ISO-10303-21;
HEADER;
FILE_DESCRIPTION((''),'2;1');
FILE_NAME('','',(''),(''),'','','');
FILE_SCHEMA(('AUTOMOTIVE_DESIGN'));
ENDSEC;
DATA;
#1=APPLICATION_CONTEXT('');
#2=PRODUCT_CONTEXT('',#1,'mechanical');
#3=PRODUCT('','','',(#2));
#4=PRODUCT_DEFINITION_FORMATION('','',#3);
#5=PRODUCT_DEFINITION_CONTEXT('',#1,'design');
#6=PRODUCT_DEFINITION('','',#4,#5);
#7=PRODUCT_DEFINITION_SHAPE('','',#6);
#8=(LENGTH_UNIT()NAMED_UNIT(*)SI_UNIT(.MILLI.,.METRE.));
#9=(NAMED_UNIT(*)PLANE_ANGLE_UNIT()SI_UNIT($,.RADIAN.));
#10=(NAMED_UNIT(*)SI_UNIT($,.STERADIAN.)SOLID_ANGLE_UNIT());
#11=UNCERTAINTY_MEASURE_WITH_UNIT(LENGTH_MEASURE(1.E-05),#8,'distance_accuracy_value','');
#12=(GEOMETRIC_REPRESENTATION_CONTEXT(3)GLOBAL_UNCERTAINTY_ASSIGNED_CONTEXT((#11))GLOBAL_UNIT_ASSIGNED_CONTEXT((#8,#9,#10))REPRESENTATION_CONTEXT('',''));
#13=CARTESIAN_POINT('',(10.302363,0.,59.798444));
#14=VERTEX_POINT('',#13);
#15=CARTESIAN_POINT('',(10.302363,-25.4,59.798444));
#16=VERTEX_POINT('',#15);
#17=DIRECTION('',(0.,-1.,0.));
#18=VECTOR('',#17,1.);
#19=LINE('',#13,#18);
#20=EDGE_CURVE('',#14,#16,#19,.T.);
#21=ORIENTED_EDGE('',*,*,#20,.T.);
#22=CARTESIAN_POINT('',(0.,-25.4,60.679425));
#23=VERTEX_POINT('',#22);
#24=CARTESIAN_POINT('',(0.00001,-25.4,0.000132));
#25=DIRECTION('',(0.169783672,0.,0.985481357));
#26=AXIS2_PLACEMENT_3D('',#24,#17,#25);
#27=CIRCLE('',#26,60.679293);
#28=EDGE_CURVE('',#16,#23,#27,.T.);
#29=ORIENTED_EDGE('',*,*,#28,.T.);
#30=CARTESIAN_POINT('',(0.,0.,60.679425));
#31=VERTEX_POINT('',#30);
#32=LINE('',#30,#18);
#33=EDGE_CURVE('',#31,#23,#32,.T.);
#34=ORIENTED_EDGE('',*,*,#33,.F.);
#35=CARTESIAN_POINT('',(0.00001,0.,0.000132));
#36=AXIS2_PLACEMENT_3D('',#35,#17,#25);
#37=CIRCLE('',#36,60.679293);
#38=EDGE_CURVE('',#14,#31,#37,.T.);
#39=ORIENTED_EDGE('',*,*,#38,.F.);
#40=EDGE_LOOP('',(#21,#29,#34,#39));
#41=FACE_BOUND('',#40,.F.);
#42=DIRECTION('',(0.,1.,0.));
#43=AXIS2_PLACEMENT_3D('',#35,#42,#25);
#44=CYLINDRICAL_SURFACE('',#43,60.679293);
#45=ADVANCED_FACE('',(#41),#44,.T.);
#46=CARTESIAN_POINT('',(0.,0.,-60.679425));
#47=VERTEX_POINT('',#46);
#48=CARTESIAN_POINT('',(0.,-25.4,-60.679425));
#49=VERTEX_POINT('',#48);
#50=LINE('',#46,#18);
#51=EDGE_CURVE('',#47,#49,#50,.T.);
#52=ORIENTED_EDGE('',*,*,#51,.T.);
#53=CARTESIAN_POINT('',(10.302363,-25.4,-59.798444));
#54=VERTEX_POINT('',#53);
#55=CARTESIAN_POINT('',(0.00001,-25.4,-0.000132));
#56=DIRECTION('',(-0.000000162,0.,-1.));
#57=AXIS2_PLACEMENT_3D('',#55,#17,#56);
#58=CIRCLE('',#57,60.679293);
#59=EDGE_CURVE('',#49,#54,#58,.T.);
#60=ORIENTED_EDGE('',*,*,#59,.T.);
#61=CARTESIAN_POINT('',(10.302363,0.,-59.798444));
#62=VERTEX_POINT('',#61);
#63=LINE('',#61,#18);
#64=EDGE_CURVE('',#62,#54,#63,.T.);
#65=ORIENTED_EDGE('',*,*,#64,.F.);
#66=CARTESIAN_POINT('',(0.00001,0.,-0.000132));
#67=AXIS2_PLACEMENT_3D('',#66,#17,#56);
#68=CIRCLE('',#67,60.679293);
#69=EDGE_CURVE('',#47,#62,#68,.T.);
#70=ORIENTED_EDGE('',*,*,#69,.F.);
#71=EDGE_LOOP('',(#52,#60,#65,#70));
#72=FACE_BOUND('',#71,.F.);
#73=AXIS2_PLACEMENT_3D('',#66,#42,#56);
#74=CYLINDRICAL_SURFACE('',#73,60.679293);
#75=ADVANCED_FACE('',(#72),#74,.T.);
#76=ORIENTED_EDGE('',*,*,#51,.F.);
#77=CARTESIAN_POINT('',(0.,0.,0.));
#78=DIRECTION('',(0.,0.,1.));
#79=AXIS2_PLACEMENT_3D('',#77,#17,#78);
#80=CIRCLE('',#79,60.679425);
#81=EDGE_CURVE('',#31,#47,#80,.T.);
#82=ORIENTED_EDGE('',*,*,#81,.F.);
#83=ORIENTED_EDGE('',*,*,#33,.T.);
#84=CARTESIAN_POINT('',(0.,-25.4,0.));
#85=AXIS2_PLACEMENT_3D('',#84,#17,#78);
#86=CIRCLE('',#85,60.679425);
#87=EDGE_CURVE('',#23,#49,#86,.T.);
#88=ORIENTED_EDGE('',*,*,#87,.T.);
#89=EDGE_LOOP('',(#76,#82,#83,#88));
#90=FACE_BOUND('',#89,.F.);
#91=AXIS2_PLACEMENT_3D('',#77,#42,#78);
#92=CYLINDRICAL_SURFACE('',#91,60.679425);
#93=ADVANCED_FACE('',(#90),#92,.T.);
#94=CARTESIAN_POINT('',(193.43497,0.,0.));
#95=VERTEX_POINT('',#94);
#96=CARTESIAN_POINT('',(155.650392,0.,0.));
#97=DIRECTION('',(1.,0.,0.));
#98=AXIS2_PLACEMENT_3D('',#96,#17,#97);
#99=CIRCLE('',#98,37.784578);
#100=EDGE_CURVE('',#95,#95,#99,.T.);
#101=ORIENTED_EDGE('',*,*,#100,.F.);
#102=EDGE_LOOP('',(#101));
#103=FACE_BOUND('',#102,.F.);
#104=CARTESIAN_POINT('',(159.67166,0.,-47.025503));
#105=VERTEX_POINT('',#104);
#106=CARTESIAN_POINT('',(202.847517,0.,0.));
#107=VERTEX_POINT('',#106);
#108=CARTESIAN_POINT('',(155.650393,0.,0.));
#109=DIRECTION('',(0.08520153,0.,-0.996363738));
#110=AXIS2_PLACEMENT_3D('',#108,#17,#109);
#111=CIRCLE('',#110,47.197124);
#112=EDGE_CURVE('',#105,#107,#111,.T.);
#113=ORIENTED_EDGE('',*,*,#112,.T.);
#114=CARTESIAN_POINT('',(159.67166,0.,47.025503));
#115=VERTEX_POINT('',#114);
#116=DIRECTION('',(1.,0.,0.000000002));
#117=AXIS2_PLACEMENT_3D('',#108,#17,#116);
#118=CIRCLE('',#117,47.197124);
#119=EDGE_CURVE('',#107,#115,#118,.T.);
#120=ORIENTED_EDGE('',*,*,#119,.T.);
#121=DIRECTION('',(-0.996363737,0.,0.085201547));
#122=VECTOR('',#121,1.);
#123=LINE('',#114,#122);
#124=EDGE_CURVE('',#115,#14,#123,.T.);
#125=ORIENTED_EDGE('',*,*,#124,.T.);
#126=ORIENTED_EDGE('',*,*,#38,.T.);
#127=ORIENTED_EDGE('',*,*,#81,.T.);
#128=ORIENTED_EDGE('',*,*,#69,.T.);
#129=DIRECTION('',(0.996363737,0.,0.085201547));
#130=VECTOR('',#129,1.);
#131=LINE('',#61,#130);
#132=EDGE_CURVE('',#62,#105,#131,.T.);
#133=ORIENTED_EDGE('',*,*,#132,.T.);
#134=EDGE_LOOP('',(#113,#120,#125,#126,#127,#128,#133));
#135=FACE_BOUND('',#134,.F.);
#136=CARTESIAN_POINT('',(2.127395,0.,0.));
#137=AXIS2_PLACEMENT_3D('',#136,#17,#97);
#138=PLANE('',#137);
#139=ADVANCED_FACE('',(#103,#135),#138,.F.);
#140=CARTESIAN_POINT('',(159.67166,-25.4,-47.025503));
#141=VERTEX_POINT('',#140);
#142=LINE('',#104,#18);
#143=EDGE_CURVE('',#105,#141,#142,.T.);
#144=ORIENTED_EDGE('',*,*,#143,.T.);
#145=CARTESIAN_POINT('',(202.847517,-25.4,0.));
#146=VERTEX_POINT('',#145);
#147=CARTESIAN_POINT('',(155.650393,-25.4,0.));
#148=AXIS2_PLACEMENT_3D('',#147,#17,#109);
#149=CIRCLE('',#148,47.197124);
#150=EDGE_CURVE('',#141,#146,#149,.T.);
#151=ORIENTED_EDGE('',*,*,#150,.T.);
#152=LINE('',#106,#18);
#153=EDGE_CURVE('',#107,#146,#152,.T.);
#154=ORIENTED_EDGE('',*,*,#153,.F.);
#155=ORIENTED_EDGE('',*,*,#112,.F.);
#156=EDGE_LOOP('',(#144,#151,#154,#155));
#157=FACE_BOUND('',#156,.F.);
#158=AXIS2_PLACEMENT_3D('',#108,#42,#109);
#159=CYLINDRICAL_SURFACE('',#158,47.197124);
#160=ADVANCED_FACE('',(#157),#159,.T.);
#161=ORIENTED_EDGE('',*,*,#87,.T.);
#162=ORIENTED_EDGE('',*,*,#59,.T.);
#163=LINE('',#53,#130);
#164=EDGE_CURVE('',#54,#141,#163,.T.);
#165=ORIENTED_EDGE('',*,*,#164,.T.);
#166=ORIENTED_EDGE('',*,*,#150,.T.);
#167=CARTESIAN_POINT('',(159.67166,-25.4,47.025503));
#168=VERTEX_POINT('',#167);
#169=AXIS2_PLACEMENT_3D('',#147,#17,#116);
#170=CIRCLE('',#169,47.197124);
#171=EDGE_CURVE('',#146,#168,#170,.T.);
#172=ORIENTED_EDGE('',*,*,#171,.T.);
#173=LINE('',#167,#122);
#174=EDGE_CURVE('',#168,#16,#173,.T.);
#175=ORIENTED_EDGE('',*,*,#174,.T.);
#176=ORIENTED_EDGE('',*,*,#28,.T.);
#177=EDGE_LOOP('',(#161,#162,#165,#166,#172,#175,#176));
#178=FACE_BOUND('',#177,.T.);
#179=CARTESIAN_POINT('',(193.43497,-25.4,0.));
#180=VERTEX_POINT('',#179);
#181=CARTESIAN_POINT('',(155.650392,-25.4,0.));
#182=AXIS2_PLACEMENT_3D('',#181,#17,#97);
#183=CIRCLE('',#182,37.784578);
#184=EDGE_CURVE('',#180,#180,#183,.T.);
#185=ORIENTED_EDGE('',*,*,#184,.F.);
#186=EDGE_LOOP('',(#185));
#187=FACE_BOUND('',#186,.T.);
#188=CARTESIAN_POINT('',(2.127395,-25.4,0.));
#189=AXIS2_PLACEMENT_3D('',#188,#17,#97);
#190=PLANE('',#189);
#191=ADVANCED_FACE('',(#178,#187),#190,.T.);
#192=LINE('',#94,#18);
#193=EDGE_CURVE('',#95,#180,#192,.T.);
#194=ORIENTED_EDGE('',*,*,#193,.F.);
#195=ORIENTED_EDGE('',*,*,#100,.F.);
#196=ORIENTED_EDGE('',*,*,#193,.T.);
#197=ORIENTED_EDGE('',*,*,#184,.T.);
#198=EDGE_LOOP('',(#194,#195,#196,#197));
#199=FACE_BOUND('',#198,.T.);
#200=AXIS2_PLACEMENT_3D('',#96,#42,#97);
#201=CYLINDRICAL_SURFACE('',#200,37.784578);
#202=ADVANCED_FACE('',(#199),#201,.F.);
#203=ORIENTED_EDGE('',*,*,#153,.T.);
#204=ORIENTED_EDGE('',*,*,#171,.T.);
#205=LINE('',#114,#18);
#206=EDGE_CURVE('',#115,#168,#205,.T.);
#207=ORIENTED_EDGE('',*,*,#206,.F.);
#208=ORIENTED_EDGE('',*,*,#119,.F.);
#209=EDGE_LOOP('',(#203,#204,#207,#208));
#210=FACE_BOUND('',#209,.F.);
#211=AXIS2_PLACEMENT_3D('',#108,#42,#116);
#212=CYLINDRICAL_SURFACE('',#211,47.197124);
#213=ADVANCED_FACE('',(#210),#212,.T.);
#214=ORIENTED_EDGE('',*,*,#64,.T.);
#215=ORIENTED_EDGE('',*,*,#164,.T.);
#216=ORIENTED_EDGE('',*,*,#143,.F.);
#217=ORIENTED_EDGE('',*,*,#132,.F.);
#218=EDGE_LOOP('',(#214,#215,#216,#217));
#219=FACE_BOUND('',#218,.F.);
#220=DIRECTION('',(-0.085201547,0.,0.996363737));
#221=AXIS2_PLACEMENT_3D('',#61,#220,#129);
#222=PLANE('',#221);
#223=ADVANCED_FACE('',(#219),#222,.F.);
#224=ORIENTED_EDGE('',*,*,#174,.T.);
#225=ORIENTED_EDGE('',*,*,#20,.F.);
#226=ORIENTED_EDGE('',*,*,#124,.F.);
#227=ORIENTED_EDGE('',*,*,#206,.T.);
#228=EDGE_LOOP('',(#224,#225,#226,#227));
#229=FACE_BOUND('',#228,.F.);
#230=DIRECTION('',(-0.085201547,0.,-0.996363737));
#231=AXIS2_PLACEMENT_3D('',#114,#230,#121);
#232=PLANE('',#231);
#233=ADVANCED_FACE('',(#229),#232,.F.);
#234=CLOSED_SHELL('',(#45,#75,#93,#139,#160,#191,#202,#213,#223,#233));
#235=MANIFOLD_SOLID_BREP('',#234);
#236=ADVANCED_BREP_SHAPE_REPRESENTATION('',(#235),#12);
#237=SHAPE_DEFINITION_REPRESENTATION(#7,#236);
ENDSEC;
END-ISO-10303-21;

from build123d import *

# Parameters (mm, degrees)
F0_R     = 50.801228
F0_R_2   = 37.784578
F1_DEPTH = 25.4
F2_R     = 52.594394
F3_DEPTH = 25.4


with BuildPart() as f1:
    # F0 (on Front) → F1 (new body)
    with BuildSketch(Plane.XZ):
        with BuildLine():
            Line((10.302363, 59.798444), (0, 60.679425))
            ThreePointArc((0, 60.679425), (-60.679425, 0), (0, -60.679425))
            Line((0, -60.679425), (10.302363, -59.798444))
            ThreePointArc((10.302363, -59.798444), (46.406541, -39.095084), (60.679425, 0))
            ThreePointArc((60.679425, 0), (46.406541, 39.095084), (10.302363, 59.798444))
        make_face()
        Circle(F0_R, mode=Mode.SUBTRACT)
        with BuildLine():
            ThreePointArc((10.302363, 59.798444), (5.169981, 60.458779), (0, 60.679425))
            Line((0, 60.679425), (10.302363, 59.798444))
        make_face()
        with BuildLine():
            Line((10.302363, -59.798444), (0, -60.679425))
            ThreePointArc((0, -60.679425), (5.169981, -60.458779), (10.302363, -59.798444))
        make_face()
        with BuildLine():
            Line((159.67166, 47.025503), (10.302363, 59.798444))
            ThreePointArc((10.302363, 59.798444), (46.406541, 39.095084), (60.679425, 0))
            ThreePointArc((60.679425, 0), (46.406541, -39.095084), (10.302363, -59.798444))
            Line((10.302363, -59.798444), (159.67166, -47.025503))
            ThreePointArc((159.67166, -47.025503), (108.453268, 0), (159.67166, 47.025503))
        make_face()
        with BuildLine():
            ThreePointArc((202.847517, 0), (190.416474, 31.920027), (159.67166, 47.025503))
            ThreePointArc((159.67166, 47.025503), (108.453268, 0), (159.67166, -47.025503))
            ThreePointArc((159.67166, -47.025503), (190.416474, -31.920027), (202.847517, 0))
        make_face()
        with Locations((155.650392, 0)):
            Circle(F0_R_2, mode=Mode.SUBTRACT)
    extrude(amount=F1_DEPTH)

    # F2 (on Front) → F3 (join)
    with BuildSketch(Plane.XZ):
        Circle(F2_R)
    extrude(amount=F3_DEPTH)


solid = f1.part
